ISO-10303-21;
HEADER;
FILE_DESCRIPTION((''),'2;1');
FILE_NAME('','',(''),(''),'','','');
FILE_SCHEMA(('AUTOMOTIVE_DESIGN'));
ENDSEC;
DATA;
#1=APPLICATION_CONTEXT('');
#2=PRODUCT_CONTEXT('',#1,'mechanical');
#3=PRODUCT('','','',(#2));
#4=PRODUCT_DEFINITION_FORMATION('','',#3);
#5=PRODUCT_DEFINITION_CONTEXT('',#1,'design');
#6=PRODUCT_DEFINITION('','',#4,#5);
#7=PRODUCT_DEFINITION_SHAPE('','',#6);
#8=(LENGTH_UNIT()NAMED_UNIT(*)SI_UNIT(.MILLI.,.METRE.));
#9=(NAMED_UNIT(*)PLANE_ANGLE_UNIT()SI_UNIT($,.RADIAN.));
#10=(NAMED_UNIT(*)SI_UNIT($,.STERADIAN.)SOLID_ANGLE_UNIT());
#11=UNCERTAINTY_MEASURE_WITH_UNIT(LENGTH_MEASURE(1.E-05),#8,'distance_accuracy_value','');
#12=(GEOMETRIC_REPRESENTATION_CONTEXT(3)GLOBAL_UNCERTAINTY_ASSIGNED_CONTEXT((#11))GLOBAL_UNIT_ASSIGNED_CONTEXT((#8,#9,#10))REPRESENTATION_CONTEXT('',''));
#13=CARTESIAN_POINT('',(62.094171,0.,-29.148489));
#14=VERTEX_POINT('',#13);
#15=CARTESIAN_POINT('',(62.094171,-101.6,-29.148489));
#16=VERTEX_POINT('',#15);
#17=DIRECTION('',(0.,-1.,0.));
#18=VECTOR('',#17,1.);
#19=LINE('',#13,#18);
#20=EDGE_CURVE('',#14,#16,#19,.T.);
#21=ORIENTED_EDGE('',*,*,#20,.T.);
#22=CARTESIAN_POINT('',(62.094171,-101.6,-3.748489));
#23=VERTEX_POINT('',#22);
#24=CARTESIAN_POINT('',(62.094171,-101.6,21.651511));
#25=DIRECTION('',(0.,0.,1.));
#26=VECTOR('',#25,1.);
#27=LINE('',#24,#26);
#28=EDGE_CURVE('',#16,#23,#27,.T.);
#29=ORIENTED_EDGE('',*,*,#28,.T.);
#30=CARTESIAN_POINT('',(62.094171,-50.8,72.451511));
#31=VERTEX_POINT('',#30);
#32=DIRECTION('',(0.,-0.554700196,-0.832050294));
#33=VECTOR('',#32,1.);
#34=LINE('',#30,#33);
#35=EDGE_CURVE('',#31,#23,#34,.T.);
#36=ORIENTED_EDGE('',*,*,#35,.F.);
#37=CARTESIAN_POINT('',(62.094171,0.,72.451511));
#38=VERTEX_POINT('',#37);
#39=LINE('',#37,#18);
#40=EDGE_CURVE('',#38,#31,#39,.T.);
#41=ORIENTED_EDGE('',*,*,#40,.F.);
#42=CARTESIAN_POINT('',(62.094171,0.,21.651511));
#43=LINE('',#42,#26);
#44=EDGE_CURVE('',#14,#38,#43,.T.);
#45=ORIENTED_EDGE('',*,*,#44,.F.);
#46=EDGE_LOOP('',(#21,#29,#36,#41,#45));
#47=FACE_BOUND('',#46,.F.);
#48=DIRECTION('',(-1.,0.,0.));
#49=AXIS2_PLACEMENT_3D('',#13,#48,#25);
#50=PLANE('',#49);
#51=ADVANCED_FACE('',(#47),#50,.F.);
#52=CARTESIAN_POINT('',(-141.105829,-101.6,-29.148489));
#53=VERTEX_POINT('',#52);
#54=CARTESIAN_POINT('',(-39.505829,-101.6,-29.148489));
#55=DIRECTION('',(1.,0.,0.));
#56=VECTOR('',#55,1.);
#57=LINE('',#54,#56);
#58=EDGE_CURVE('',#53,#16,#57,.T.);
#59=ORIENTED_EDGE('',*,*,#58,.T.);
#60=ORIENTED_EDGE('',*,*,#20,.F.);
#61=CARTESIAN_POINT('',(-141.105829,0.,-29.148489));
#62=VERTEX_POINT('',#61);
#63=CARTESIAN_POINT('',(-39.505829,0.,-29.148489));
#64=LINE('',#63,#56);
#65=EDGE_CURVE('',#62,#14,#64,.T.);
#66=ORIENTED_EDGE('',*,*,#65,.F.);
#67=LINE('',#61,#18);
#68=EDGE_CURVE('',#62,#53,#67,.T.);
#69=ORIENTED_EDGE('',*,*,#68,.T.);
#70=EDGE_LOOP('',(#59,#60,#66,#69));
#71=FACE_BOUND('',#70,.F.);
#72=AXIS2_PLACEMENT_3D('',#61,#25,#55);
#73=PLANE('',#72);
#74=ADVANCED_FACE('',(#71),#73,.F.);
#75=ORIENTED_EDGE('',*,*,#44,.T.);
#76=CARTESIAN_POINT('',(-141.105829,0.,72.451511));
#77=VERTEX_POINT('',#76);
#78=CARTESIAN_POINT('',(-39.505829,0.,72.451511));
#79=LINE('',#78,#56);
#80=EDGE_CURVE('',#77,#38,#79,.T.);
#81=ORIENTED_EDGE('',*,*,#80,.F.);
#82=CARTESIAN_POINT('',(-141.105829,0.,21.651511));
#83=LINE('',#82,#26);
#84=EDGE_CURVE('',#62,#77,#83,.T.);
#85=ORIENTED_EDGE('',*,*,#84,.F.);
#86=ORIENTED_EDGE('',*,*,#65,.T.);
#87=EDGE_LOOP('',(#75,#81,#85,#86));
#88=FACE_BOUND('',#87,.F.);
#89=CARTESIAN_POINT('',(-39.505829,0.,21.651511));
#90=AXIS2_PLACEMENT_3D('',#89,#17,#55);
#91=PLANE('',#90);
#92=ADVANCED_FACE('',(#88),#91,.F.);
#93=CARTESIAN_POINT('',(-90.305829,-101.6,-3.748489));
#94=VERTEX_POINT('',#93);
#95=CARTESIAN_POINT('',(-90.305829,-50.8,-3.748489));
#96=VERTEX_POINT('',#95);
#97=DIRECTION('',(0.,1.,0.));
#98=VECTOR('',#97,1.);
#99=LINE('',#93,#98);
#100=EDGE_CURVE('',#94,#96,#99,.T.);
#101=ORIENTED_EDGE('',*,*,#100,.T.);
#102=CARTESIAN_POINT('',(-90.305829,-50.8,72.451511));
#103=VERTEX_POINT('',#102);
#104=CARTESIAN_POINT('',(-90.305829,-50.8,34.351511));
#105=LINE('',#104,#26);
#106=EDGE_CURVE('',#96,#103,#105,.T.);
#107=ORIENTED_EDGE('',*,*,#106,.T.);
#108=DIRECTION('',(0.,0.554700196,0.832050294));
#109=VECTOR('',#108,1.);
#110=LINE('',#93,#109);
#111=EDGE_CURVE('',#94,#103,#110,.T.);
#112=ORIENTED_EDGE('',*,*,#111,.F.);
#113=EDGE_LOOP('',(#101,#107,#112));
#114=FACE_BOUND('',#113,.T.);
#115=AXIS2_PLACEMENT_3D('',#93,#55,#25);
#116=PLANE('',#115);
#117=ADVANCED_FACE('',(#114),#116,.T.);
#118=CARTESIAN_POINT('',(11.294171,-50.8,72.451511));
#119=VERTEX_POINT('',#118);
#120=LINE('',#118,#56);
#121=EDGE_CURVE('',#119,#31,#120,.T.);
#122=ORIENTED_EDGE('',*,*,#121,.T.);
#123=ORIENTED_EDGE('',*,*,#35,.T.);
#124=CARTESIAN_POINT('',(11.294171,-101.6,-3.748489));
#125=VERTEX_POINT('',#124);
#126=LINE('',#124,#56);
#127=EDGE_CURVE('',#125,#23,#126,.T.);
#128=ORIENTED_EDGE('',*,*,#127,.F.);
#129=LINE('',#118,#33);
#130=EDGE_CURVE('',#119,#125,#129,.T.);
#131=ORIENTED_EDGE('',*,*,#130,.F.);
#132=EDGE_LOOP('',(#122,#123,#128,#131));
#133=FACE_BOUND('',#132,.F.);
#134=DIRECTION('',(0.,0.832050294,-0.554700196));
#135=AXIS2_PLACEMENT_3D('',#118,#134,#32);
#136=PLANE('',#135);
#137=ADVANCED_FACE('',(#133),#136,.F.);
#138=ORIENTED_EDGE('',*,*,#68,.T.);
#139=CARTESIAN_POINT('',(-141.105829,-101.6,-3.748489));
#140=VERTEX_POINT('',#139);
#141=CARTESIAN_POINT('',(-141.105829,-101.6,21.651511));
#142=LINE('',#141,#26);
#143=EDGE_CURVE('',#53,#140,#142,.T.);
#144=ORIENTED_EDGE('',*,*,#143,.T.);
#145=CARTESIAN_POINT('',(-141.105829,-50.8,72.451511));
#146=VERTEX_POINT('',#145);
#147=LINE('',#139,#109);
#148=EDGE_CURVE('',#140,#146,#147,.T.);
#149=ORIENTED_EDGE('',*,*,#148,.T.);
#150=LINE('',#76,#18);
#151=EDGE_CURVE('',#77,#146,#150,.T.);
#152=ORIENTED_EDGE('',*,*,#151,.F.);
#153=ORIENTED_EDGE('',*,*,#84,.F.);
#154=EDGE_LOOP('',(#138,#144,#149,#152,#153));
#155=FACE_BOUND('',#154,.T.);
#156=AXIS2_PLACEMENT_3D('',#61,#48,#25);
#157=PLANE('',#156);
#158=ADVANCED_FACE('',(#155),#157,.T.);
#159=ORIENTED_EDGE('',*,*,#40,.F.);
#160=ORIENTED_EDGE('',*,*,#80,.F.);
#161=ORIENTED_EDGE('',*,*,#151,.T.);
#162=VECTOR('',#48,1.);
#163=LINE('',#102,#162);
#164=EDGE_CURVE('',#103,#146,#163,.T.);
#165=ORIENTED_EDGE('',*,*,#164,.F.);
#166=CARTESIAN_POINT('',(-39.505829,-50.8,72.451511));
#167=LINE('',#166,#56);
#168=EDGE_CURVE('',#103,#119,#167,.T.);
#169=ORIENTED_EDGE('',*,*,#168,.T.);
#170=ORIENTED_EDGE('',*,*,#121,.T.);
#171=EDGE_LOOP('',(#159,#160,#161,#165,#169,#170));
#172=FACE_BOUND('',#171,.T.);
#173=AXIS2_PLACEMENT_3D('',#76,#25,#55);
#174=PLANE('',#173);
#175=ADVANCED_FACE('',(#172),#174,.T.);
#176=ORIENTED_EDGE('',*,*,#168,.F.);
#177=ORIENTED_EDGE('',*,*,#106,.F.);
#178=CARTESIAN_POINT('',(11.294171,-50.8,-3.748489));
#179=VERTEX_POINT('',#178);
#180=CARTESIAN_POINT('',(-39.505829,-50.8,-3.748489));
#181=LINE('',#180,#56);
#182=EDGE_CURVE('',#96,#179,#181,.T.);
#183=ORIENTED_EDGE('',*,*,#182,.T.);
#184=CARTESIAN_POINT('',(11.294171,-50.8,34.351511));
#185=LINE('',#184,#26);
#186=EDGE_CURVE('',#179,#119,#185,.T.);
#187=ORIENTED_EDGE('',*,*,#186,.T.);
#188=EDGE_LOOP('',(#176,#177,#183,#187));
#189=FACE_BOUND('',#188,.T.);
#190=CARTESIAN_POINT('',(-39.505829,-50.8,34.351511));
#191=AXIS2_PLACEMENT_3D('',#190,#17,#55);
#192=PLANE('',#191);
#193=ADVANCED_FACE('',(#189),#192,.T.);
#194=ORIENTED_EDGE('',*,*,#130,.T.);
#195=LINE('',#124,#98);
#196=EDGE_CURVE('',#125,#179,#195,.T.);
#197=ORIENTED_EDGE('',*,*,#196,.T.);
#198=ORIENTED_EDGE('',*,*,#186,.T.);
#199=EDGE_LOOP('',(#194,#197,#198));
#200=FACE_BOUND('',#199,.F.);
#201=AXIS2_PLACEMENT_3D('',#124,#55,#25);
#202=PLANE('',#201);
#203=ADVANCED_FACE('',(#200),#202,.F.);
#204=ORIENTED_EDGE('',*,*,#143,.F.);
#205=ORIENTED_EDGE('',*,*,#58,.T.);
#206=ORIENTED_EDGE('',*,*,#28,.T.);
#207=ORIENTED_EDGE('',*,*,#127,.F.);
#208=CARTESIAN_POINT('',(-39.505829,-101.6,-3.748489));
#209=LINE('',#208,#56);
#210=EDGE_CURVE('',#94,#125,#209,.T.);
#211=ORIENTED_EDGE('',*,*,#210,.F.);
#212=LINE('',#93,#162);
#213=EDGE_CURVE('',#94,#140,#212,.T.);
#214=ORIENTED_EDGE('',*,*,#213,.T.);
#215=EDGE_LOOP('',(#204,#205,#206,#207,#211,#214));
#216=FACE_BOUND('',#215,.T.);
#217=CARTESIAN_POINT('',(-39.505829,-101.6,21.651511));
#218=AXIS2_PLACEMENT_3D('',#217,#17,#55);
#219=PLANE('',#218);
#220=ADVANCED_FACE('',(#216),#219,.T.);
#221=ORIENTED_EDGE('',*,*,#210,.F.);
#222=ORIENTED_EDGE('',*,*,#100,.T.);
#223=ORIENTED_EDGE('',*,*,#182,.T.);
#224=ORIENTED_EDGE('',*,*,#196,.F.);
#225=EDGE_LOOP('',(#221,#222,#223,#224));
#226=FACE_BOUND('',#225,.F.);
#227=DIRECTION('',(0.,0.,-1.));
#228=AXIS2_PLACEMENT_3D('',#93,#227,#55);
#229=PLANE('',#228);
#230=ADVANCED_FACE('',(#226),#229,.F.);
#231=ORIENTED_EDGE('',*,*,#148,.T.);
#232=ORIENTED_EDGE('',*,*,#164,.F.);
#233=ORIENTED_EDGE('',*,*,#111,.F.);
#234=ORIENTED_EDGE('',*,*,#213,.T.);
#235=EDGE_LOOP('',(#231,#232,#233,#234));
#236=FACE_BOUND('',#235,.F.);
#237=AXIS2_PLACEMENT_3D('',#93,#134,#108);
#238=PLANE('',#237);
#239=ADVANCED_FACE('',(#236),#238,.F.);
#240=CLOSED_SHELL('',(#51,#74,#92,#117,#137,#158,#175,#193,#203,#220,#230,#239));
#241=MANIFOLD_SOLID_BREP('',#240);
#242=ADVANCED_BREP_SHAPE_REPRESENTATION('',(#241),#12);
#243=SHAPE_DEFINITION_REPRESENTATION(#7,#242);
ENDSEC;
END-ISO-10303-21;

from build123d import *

# Parameters (mm, degrees)
F0_W     = 203.2
F0_H     = 101.6
F1_DEPTH = 101.6
F2_W     = 101.6
F2_H     = 76.2
F3_DEPTH = 50.8
F5_DEPTH = 50.8
F7_DEPTH = 50.8


with BuildPart() as f1:
    # F0 (on Front) → F1 (new body)
    with BuildSketch(Plane.XZ):
        with Locations((-39.505829, 21.651511)):
            Rectangle(F0_W, F0_H)
    extrude(amount=F1_DEPTH)

    # F2 (on face) → F3 (cut)
    with BuildSketch(Plane.XZ.offset(101.6)):
        with Locations((-39.505829, 34.351511)):
            Rectangle(F2_W, F2_H)
    extrude(amount=-F3_DEPTH, mode=Mode.SUBTRACT)

    # F4 (on face) → F5 (cut)
    with BuildSketch(Plane.YZ.offset(-90.305829)):
        Polygon((-101.6, 72.451511), (-101.6, -3.748489), (-50.8, 72.451511), align=None)
    extrude(amount=-F5_DEPTH, mode=Mode.SUBTRACT)

    # F6 (on face) → F7 (cut)
    with BuildSketch(Plane(origin=(11.294171, 0, 0), x_dir=(0, -1, 0), z_dir=(-1, 0, 0))):
        Polygon((101.6, 72.451511), (50.8, 72.451511), (101.6, -3.748489), align=None)
    extrude(amount=-F7_DEPTH, mode=Mode.SUBTRACT)


solid = f1.part
